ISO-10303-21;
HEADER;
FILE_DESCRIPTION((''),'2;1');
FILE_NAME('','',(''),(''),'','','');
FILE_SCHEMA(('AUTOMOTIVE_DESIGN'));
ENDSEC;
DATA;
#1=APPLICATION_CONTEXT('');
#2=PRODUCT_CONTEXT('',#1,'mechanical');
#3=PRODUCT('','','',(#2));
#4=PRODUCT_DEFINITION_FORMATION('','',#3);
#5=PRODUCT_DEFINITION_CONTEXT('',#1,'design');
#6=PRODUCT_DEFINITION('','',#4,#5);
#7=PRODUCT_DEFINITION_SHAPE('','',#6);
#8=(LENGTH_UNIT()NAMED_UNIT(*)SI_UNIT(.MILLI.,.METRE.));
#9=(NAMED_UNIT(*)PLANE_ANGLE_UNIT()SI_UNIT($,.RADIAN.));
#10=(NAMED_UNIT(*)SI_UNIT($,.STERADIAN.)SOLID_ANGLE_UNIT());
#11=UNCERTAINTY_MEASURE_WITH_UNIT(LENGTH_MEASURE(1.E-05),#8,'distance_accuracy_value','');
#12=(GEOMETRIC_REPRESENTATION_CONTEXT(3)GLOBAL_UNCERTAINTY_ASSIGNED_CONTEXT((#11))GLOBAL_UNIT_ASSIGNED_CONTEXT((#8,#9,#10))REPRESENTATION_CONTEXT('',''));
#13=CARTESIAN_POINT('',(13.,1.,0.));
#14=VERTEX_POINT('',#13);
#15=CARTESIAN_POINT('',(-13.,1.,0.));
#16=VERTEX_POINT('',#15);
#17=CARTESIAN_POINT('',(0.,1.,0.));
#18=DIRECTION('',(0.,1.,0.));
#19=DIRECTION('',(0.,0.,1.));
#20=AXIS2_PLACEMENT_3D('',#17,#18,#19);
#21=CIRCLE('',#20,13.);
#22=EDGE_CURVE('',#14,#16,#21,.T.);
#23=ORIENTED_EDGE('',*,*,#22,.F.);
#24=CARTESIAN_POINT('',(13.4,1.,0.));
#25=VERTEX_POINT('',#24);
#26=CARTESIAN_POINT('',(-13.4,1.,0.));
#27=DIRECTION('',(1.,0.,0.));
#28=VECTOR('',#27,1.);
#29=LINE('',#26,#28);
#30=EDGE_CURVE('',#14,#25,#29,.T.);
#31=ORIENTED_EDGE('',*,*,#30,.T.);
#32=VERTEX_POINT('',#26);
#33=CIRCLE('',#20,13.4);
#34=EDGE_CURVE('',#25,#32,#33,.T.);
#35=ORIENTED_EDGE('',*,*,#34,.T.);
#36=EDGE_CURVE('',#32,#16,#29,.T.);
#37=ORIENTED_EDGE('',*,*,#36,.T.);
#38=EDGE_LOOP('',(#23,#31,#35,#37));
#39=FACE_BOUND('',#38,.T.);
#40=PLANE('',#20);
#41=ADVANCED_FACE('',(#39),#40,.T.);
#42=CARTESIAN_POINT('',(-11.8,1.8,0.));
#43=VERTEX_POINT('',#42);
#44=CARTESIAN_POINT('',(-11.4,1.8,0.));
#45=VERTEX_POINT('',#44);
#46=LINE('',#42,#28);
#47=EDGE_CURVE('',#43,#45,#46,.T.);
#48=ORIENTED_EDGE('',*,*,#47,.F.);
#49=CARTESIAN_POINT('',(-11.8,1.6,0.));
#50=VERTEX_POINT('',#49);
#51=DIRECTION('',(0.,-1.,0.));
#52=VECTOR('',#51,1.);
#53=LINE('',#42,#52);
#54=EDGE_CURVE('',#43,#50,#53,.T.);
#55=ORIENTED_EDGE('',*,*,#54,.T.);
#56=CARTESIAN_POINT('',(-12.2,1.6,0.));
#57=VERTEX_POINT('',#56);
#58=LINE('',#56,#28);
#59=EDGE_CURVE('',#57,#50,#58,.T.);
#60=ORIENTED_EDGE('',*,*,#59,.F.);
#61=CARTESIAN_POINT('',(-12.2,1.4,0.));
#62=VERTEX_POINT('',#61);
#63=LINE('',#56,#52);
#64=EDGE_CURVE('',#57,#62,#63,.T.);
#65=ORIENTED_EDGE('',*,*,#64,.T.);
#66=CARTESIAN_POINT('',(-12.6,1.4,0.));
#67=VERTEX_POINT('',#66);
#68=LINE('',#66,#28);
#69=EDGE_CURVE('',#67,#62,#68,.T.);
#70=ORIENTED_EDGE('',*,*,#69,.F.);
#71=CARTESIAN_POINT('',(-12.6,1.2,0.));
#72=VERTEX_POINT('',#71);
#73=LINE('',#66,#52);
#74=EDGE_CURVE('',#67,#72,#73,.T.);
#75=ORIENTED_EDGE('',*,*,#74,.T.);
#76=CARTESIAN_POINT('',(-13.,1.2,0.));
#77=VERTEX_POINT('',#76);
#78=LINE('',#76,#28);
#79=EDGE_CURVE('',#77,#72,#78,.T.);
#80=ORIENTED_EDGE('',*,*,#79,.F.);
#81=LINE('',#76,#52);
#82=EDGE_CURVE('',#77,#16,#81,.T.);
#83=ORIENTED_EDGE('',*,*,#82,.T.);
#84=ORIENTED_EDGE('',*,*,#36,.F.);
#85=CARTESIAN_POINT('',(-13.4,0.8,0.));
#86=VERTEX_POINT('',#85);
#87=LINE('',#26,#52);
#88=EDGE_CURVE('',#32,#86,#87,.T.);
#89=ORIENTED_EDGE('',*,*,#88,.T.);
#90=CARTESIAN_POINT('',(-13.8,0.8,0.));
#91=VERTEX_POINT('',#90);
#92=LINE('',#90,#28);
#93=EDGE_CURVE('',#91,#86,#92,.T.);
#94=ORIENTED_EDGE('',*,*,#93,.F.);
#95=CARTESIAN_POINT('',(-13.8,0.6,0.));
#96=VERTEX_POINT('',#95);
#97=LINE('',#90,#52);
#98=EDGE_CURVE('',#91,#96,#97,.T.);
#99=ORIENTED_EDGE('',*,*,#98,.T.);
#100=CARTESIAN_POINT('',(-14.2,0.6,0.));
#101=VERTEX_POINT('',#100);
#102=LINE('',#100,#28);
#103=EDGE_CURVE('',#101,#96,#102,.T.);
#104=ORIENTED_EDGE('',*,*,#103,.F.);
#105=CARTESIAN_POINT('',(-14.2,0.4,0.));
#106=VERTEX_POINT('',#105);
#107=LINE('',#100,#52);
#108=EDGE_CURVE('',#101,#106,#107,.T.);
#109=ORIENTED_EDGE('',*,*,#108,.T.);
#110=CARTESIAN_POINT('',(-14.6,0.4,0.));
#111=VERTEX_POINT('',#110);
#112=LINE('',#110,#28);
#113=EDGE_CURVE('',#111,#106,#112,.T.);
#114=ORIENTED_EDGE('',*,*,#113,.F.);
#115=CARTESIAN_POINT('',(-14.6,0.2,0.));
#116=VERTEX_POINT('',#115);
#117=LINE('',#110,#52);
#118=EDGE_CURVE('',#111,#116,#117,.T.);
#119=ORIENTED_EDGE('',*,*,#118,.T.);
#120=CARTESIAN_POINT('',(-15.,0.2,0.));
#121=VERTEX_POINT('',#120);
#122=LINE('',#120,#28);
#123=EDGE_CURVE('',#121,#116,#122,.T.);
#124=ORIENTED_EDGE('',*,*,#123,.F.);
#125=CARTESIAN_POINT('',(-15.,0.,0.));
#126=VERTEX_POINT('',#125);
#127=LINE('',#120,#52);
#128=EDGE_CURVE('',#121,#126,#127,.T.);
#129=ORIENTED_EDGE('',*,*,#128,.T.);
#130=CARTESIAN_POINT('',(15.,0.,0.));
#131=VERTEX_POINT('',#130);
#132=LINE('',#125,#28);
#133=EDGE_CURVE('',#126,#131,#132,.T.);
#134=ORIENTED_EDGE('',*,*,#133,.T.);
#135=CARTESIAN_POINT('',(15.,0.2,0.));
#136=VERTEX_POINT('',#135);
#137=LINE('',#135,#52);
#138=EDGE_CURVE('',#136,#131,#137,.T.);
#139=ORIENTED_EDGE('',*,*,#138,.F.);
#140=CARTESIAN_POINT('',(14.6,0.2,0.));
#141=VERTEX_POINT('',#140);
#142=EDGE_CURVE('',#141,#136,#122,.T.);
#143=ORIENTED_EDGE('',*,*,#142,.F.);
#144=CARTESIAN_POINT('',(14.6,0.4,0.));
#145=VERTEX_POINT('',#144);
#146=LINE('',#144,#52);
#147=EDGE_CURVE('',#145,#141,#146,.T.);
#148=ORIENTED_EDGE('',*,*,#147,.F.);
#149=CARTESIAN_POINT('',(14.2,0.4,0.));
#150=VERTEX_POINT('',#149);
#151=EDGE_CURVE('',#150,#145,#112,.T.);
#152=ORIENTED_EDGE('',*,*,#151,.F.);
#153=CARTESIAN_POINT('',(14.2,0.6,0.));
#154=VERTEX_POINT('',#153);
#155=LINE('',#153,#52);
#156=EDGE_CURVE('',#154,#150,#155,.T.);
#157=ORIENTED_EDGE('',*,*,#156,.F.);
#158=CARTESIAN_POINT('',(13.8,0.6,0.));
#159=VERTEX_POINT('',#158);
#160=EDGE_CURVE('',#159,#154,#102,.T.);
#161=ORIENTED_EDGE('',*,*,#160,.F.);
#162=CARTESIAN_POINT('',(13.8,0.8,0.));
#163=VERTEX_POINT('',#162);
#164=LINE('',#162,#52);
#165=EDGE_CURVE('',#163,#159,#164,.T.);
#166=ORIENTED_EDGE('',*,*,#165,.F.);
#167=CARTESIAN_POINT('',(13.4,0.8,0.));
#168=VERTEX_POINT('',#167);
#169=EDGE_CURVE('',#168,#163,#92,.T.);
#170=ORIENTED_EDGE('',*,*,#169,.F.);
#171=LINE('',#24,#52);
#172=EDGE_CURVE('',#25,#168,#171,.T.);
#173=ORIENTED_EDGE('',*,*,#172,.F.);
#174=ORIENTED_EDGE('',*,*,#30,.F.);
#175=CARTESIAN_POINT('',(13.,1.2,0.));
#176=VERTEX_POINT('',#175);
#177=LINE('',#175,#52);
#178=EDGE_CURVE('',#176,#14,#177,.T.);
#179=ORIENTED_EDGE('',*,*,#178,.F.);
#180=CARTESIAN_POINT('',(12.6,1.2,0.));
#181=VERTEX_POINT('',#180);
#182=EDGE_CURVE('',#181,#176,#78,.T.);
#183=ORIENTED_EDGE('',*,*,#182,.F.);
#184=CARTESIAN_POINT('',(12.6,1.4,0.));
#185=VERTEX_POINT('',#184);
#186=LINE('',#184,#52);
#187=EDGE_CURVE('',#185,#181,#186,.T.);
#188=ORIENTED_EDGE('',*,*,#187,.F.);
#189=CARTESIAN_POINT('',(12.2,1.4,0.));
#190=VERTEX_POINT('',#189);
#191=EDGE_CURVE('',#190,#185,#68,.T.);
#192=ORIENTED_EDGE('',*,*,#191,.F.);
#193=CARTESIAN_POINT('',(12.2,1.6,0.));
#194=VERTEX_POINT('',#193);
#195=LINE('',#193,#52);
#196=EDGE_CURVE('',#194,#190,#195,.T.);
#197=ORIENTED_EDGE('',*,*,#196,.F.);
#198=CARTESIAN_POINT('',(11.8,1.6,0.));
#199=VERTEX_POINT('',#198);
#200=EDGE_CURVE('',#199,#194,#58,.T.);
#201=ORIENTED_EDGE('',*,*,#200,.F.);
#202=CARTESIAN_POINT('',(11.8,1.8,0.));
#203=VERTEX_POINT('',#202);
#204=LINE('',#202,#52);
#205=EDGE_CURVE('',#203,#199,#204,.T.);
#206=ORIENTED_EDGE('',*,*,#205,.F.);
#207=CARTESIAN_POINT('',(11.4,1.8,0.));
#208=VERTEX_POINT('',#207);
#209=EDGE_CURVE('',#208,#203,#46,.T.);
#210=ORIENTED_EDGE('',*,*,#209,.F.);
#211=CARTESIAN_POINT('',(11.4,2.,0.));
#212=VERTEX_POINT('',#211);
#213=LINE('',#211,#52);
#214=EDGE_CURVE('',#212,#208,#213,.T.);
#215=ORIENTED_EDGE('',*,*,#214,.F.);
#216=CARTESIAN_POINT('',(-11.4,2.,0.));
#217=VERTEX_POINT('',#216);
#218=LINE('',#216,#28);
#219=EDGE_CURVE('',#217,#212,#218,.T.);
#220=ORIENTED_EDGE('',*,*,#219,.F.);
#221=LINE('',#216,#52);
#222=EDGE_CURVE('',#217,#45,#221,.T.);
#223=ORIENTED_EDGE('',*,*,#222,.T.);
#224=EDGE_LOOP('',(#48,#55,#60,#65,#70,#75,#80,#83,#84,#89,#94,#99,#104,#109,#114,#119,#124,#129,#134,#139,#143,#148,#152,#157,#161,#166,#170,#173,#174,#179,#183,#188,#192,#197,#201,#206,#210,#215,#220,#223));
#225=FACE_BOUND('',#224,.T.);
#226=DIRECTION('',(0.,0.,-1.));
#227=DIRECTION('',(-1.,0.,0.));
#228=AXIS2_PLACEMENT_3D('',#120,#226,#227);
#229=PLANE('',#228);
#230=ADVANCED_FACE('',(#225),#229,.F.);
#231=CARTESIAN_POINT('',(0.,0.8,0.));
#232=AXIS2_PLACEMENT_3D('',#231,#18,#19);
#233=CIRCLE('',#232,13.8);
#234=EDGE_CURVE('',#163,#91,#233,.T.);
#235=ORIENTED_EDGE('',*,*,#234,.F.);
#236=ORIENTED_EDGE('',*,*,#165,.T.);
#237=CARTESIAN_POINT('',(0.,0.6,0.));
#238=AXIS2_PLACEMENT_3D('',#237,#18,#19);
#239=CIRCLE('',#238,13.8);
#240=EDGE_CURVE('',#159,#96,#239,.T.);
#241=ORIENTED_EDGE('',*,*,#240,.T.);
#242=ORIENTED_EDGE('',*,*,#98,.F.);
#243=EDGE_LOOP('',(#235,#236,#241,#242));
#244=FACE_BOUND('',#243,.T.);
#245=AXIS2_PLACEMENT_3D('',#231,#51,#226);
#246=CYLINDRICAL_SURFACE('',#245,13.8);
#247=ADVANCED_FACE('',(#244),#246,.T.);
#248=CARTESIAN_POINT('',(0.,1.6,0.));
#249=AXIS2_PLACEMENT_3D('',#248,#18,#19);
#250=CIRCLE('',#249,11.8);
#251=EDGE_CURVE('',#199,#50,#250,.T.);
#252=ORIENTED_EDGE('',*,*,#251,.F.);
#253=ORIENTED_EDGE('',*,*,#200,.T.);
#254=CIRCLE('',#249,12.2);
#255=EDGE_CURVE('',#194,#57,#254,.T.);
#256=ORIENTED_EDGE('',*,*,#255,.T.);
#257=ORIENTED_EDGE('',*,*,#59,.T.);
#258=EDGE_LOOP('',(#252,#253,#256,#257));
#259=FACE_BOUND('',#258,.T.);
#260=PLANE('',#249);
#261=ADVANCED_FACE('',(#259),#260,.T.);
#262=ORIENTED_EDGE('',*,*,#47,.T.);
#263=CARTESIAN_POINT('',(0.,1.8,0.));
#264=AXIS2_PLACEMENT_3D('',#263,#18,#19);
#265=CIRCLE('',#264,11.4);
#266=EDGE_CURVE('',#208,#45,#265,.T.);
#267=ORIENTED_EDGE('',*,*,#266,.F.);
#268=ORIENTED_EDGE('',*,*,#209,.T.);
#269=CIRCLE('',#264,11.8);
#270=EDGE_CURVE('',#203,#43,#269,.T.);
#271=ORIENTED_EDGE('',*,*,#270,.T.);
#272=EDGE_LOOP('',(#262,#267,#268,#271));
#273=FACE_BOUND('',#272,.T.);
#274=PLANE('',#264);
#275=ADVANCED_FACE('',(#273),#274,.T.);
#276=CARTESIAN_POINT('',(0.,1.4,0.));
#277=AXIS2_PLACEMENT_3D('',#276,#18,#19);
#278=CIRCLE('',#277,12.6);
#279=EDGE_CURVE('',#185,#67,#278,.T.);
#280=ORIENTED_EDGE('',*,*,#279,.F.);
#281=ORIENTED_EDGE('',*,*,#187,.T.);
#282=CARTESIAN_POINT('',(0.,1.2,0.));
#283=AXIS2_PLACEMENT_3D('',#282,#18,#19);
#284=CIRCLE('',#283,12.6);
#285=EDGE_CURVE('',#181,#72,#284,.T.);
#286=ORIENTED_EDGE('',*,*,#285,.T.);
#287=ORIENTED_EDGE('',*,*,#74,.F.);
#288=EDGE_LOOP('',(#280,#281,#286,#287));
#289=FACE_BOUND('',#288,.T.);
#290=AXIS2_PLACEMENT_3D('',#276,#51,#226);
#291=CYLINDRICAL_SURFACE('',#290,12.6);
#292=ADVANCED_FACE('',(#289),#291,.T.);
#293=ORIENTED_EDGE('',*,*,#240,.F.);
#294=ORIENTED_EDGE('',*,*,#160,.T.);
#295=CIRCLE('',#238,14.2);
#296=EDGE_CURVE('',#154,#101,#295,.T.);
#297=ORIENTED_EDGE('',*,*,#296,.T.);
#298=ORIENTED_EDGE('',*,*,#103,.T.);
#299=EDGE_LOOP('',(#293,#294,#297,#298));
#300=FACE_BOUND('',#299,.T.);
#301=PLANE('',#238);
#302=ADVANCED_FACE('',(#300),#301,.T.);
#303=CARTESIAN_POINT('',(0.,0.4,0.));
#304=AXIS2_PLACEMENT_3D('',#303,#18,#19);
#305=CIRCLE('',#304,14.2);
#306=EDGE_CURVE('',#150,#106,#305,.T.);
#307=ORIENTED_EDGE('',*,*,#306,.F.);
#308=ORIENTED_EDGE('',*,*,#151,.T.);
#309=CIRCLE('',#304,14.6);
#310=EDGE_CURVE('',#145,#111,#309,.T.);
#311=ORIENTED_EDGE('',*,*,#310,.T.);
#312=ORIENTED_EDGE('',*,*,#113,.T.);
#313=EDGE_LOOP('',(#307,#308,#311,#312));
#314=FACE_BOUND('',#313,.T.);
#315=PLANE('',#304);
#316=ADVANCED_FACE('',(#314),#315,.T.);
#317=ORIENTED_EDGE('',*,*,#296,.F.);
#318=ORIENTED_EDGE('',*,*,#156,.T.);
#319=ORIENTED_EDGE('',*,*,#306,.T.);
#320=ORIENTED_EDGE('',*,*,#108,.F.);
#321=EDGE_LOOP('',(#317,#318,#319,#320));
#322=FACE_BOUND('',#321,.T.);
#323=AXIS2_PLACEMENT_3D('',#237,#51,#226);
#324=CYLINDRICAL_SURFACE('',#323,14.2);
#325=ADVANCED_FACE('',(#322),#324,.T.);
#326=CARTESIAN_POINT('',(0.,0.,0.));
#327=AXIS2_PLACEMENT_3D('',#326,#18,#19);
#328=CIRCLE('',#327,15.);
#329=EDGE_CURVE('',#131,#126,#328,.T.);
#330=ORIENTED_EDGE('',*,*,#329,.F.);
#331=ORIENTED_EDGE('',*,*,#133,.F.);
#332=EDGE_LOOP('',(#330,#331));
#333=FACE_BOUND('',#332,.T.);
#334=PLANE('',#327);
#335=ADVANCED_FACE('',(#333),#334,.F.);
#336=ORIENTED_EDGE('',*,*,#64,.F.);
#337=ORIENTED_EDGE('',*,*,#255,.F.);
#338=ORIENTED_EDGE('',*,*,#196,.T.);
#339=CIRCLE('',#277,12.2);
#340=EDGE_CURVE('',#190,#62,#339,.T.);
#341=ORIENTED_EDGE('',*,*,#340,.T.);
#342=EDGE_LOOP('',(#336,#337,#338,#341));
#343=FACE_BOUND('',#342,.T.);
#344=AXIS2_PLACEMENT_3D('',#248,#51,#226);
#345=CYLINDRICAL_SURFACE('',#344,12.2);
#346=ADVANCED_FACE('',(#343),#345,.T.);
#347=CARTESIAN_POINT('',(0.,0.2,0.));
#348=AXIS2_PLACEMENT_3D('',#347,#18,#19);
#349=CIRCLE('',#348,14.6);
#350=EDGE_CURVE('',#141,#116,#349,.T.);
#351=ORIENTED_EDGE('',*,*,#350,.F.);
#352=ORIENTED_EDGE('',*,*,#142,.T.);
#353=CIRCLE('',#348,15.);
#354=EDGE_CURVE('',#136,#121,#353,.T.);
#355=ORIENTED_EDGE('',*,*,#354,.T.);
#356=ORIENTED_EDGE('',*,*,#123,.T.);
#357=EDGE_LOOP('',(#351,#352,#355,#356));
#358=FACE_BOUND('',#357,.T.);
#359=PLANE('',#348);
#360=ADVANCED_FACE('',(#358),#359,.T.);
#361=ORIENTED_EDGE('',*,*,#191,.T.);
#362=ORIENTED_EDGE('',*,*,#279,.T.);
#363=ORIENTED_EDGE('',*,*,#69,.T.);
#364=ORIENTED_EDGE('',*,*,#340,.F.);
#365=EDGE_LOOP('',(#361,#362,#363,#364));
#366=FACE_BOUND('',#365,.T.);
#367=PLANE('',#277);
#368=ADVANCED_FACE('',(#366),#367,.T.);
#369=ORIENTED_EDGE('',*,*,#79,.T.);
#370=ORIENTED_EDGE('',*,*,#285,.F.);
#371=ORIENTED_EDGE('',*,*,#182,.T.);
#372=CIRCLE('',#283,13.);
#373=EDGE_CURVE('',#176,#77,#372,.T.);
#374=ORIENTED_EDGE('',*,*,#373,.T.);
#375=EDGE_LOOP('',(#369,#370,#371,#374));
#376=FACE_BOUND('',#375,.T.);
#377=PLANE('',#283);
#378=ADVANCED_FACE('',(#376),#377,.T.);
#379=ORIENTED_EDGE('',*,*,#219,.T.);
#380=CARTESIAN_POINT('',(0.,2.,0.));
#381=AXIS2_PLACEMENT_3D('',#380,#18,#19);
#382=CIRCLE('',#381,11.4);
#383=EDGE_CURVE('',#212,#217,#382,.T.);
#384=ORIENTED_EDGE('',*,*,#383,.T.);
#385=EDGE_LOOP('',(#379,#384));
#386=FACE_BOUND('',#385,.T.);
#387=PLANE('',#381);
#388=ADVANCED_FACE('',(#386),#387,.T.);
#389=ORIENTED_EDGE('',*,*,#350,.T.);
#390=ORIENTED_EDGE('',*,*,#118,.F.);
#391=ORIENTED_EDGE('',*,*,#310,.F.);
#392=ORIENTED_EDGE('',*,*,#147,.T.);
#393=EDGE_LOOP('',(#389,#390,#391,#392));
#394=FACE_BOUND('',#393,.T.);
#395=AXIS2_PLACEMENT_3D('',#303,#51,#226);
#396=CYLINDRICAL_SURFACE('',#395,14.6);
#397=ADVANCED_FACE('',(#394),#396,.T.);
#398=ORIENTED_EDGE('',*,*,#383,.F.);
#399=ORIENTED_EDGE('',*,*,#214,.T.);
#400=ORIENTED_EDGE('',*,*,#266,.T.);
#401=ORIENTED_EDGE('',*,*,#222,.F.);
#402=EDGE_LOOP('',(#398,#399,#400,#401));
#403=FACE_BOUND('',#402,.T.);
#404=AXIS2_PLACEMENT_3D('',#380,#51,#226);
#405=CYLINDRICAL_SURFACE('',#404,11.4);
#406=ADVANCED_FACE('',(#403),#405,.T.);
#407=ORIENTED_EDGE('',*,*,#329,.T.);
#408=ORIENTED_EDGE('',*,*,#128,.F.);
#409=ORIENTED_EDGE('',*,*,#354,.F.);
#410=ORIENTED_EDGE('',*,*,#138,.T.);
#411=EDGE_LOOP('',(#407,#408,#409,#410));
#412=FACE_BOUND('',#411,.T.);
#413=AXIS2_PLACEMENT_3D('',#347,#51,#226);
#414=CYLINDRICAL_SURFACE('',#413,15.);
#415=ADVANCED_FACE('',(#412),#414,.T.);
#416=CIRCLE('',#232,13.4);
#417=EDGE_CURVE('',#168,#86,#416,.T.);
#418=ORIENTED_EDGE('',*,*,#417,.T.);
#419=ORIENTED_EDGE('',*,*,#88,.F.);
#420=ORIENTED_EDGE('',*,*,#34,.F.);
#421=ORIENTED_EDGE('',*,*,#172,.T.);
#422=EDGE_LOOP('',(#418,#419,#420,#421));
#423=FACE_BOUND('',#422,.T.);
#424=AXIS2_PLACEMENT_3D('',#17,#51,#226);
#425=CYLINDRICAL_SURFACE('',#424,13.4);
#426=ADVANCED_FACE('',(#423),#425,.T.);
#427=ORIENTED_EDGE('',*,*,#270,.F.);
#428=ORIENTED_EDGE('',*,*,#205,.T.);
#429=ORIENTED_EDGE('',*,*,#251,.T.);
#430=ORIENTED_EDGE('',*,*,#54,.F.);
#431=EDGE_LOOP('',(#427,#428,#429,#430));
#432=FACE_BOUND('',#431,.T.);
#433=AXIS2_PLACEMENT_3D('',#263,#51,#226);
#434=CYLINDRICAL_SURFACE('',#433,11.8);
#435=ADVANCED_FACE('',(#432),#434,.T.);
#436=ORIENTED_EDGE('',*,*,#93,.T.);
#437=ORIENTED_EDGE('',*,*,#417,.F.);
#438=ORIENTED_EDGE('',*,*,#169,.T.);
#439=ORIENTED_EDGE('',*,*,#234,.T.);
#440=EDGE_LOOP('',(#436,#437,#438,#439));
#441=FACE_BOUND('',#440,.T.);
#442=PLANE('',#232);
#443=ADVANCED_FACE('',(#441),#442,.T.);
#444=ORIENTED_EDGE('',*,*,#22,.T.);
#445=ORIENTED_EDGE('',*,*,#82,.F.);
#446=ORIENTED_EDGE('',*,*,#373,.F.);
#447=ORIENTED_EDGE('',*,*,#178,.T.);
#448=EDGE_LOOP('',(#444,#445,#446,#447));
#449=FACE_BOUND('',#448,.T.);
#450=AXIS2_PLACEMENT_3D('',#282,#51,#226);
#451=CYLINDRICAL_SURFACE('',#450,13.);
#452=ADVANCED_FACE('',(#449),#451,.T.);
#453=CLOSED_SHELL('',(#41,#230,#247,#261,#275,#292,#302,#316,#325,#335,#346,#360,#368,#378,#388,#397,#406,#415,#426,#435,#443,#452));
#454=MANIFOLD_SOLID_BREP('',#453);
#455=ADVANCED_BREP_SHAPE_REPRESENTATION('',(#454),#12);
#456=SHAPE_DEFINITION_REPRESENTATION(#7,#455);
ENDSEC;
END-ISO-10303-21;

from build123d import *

# Parameters (mm, degrees)
EXTRUDE_1_DEPTH  = 0.2
EXTRUDE_3_DEPTH  = 0.2
EXTRUDE_4_DEPTH  = 0.2
EXTRUDE_5_DEPTH  = 0.2
EXTRUDE_6_DEPTH  = 0.2
EXTRUDE_7_DEPTH  = 0.2
EXTRUDE_8_DEPTH  = 0.2
EXTRUDE_9_DEPTH  = 0.2
EXTRUDE_10_DEPTH = 0.2
EXTRUDE_11_DEPTH = 0.2


with BuildPart() as part:
    # 草图1 → 凸台-拉伸1 (new body)
    with BuildSketch(Plane(origin=(0, 0, 0), x_dir=(1, 0, 0), z_dir=(0, 1, 0))):
        with BuildLine():
            Line((-15, 0), (15, 0))
            ThreePointArc((15, 0), (0, 15), (-15, 0))
        make_face()
    extrude(amount=EXTRUDE_1_DEPTH)

    # 草图2 → 凸台-拉伸3 (add)
    with BuildSketch(Plane(origin=(0, 0.2, 0), x_dir=(1, 0, 0), z_dir=(0, 1, 0))):
        with BuildLine():
            Line((-14.6, 0), (14.6, 0))
            ThreePointArc((14.6, 0), (0, 14.6), (-14.6, 0))
        make_face()
    extrude(amount=EXTRUDE_3_DEPTH)

    # 草图3 → 凸台-拉伸4 (add)
    with BuildSketch(Plane(origin=(0, 0.4, 0), x_dir=(1, 0, 0), z_dir=(0, 1, 0))):
        with BuildLine():
            Line((-14.2, 0), (14.2, 0))
            ThreePointArc((14.2, 0), (0, 14.2), (-14.2, 0))
        make_face()
    extrude(amount=EXTRUDE_4_DEPTH)

    # 草图4 → 凸台-拉伸5 (add)
    with BuildSketch(Plane(origin=(0, 0.6, 0), x_dir=(1, 0, 0), z_dir=(0, 1, 0))):
        with BuildLine():
            Line((-13.8, 0), (13.8, 0))
            ThreePointArc((13.8, 0), (0, 13.8), (-13.8, 0))
        make_face()
    extrude(amount=EXTRUDE_5_DEPTH)

    # 草图5 → 凸台-拉伸6 (add)
    with BuildSketch(Plane(origin=(0, 0.8, 0), x_dir=(1, 0, 0), z_dir=(0, 1, 0))):
        with BuildLine():
            Line((-13.4, 0), (13.4, 0))
            ThreePointArc((13.4, 0), (0, 13.4), (-13.4, 0))
        make_face()
    extrude(amount=EXTRUDE_6_DEPTH)

    # 草图6 → 凸台-拉伸7 (add)
    with BuildSketch(Plane(origin=(0, 1, 0), x_dir=(1, 0, 0), z_dir=(0, 1, 0))):
        with BuildLine():
            Line((-13, 0), (13, 0))
            ThreePointArc((13, 0), (0, 13), (-13, 0))
        make_face()
    extrude(amount=EXTRUDE_7_DEPTH)

    # 草图7 → 凸台-拉伸8 (add)
    with BuildSketch(Plane(origin=(0, 1.2, 0), x_dir=(1, 0, 0), z_dir=(0, 1, 0))):
        with BuildLine():
            Line((-12.6, 0), (12.6, 0))
            ThreePointArc((12.6, 0), (0, 12.6), (-12.6, 0))
        make_face()
    extrude(amount=EXTRUDE_8_DEPTH)

    # 草图8 → 凸台-拉伸9 (add)
    with BuildSketch(Plane(origin=(0, 1.4, 0), x_dir=(1, 0, 0), z_dir=(0, 1, 0))):
        with BuildLine():
            Line((-12.2, 0), (12.2, 0))
            ThreePointArc((12.2, 0), (0, 12.2), (-12.2, 0))
        make_face()
    extrude(amount=EXTRUDE_9_DEPTH)

    # 草图9 → 凸台-拉伸10 (add)
    with BuildSketch(Plane(origin=(0, 1.6, 0), x_dir=(1, 0, 0), z_dir=(0, 1, 0))):
        with BuildLine():
            Line((-11.8, 0), (11.8, 0))
            ThreePointArc((11.8, 0), (0, 11.8), (-11.8, 0))
        make_face()
    extrude(amount=EXTRUDE_10_DEPTH)

    # 草图10 → 凸台-拉伸11 (add)
    with BuildSketch(Plane(origin=(0, 1.8, 0), x_dir=(1, 0, 0), z_dir=(0, 1, 0))):
        with BuildLine():
            Line((-11.4, 0), (11.4, 0))
            ThreePointArc((11.4, 0), (0, 11.4), (-11.4, 0))
        make_face()
    extrude(amount=EXTRUDE_11_DEPTH)


solid = part.part
